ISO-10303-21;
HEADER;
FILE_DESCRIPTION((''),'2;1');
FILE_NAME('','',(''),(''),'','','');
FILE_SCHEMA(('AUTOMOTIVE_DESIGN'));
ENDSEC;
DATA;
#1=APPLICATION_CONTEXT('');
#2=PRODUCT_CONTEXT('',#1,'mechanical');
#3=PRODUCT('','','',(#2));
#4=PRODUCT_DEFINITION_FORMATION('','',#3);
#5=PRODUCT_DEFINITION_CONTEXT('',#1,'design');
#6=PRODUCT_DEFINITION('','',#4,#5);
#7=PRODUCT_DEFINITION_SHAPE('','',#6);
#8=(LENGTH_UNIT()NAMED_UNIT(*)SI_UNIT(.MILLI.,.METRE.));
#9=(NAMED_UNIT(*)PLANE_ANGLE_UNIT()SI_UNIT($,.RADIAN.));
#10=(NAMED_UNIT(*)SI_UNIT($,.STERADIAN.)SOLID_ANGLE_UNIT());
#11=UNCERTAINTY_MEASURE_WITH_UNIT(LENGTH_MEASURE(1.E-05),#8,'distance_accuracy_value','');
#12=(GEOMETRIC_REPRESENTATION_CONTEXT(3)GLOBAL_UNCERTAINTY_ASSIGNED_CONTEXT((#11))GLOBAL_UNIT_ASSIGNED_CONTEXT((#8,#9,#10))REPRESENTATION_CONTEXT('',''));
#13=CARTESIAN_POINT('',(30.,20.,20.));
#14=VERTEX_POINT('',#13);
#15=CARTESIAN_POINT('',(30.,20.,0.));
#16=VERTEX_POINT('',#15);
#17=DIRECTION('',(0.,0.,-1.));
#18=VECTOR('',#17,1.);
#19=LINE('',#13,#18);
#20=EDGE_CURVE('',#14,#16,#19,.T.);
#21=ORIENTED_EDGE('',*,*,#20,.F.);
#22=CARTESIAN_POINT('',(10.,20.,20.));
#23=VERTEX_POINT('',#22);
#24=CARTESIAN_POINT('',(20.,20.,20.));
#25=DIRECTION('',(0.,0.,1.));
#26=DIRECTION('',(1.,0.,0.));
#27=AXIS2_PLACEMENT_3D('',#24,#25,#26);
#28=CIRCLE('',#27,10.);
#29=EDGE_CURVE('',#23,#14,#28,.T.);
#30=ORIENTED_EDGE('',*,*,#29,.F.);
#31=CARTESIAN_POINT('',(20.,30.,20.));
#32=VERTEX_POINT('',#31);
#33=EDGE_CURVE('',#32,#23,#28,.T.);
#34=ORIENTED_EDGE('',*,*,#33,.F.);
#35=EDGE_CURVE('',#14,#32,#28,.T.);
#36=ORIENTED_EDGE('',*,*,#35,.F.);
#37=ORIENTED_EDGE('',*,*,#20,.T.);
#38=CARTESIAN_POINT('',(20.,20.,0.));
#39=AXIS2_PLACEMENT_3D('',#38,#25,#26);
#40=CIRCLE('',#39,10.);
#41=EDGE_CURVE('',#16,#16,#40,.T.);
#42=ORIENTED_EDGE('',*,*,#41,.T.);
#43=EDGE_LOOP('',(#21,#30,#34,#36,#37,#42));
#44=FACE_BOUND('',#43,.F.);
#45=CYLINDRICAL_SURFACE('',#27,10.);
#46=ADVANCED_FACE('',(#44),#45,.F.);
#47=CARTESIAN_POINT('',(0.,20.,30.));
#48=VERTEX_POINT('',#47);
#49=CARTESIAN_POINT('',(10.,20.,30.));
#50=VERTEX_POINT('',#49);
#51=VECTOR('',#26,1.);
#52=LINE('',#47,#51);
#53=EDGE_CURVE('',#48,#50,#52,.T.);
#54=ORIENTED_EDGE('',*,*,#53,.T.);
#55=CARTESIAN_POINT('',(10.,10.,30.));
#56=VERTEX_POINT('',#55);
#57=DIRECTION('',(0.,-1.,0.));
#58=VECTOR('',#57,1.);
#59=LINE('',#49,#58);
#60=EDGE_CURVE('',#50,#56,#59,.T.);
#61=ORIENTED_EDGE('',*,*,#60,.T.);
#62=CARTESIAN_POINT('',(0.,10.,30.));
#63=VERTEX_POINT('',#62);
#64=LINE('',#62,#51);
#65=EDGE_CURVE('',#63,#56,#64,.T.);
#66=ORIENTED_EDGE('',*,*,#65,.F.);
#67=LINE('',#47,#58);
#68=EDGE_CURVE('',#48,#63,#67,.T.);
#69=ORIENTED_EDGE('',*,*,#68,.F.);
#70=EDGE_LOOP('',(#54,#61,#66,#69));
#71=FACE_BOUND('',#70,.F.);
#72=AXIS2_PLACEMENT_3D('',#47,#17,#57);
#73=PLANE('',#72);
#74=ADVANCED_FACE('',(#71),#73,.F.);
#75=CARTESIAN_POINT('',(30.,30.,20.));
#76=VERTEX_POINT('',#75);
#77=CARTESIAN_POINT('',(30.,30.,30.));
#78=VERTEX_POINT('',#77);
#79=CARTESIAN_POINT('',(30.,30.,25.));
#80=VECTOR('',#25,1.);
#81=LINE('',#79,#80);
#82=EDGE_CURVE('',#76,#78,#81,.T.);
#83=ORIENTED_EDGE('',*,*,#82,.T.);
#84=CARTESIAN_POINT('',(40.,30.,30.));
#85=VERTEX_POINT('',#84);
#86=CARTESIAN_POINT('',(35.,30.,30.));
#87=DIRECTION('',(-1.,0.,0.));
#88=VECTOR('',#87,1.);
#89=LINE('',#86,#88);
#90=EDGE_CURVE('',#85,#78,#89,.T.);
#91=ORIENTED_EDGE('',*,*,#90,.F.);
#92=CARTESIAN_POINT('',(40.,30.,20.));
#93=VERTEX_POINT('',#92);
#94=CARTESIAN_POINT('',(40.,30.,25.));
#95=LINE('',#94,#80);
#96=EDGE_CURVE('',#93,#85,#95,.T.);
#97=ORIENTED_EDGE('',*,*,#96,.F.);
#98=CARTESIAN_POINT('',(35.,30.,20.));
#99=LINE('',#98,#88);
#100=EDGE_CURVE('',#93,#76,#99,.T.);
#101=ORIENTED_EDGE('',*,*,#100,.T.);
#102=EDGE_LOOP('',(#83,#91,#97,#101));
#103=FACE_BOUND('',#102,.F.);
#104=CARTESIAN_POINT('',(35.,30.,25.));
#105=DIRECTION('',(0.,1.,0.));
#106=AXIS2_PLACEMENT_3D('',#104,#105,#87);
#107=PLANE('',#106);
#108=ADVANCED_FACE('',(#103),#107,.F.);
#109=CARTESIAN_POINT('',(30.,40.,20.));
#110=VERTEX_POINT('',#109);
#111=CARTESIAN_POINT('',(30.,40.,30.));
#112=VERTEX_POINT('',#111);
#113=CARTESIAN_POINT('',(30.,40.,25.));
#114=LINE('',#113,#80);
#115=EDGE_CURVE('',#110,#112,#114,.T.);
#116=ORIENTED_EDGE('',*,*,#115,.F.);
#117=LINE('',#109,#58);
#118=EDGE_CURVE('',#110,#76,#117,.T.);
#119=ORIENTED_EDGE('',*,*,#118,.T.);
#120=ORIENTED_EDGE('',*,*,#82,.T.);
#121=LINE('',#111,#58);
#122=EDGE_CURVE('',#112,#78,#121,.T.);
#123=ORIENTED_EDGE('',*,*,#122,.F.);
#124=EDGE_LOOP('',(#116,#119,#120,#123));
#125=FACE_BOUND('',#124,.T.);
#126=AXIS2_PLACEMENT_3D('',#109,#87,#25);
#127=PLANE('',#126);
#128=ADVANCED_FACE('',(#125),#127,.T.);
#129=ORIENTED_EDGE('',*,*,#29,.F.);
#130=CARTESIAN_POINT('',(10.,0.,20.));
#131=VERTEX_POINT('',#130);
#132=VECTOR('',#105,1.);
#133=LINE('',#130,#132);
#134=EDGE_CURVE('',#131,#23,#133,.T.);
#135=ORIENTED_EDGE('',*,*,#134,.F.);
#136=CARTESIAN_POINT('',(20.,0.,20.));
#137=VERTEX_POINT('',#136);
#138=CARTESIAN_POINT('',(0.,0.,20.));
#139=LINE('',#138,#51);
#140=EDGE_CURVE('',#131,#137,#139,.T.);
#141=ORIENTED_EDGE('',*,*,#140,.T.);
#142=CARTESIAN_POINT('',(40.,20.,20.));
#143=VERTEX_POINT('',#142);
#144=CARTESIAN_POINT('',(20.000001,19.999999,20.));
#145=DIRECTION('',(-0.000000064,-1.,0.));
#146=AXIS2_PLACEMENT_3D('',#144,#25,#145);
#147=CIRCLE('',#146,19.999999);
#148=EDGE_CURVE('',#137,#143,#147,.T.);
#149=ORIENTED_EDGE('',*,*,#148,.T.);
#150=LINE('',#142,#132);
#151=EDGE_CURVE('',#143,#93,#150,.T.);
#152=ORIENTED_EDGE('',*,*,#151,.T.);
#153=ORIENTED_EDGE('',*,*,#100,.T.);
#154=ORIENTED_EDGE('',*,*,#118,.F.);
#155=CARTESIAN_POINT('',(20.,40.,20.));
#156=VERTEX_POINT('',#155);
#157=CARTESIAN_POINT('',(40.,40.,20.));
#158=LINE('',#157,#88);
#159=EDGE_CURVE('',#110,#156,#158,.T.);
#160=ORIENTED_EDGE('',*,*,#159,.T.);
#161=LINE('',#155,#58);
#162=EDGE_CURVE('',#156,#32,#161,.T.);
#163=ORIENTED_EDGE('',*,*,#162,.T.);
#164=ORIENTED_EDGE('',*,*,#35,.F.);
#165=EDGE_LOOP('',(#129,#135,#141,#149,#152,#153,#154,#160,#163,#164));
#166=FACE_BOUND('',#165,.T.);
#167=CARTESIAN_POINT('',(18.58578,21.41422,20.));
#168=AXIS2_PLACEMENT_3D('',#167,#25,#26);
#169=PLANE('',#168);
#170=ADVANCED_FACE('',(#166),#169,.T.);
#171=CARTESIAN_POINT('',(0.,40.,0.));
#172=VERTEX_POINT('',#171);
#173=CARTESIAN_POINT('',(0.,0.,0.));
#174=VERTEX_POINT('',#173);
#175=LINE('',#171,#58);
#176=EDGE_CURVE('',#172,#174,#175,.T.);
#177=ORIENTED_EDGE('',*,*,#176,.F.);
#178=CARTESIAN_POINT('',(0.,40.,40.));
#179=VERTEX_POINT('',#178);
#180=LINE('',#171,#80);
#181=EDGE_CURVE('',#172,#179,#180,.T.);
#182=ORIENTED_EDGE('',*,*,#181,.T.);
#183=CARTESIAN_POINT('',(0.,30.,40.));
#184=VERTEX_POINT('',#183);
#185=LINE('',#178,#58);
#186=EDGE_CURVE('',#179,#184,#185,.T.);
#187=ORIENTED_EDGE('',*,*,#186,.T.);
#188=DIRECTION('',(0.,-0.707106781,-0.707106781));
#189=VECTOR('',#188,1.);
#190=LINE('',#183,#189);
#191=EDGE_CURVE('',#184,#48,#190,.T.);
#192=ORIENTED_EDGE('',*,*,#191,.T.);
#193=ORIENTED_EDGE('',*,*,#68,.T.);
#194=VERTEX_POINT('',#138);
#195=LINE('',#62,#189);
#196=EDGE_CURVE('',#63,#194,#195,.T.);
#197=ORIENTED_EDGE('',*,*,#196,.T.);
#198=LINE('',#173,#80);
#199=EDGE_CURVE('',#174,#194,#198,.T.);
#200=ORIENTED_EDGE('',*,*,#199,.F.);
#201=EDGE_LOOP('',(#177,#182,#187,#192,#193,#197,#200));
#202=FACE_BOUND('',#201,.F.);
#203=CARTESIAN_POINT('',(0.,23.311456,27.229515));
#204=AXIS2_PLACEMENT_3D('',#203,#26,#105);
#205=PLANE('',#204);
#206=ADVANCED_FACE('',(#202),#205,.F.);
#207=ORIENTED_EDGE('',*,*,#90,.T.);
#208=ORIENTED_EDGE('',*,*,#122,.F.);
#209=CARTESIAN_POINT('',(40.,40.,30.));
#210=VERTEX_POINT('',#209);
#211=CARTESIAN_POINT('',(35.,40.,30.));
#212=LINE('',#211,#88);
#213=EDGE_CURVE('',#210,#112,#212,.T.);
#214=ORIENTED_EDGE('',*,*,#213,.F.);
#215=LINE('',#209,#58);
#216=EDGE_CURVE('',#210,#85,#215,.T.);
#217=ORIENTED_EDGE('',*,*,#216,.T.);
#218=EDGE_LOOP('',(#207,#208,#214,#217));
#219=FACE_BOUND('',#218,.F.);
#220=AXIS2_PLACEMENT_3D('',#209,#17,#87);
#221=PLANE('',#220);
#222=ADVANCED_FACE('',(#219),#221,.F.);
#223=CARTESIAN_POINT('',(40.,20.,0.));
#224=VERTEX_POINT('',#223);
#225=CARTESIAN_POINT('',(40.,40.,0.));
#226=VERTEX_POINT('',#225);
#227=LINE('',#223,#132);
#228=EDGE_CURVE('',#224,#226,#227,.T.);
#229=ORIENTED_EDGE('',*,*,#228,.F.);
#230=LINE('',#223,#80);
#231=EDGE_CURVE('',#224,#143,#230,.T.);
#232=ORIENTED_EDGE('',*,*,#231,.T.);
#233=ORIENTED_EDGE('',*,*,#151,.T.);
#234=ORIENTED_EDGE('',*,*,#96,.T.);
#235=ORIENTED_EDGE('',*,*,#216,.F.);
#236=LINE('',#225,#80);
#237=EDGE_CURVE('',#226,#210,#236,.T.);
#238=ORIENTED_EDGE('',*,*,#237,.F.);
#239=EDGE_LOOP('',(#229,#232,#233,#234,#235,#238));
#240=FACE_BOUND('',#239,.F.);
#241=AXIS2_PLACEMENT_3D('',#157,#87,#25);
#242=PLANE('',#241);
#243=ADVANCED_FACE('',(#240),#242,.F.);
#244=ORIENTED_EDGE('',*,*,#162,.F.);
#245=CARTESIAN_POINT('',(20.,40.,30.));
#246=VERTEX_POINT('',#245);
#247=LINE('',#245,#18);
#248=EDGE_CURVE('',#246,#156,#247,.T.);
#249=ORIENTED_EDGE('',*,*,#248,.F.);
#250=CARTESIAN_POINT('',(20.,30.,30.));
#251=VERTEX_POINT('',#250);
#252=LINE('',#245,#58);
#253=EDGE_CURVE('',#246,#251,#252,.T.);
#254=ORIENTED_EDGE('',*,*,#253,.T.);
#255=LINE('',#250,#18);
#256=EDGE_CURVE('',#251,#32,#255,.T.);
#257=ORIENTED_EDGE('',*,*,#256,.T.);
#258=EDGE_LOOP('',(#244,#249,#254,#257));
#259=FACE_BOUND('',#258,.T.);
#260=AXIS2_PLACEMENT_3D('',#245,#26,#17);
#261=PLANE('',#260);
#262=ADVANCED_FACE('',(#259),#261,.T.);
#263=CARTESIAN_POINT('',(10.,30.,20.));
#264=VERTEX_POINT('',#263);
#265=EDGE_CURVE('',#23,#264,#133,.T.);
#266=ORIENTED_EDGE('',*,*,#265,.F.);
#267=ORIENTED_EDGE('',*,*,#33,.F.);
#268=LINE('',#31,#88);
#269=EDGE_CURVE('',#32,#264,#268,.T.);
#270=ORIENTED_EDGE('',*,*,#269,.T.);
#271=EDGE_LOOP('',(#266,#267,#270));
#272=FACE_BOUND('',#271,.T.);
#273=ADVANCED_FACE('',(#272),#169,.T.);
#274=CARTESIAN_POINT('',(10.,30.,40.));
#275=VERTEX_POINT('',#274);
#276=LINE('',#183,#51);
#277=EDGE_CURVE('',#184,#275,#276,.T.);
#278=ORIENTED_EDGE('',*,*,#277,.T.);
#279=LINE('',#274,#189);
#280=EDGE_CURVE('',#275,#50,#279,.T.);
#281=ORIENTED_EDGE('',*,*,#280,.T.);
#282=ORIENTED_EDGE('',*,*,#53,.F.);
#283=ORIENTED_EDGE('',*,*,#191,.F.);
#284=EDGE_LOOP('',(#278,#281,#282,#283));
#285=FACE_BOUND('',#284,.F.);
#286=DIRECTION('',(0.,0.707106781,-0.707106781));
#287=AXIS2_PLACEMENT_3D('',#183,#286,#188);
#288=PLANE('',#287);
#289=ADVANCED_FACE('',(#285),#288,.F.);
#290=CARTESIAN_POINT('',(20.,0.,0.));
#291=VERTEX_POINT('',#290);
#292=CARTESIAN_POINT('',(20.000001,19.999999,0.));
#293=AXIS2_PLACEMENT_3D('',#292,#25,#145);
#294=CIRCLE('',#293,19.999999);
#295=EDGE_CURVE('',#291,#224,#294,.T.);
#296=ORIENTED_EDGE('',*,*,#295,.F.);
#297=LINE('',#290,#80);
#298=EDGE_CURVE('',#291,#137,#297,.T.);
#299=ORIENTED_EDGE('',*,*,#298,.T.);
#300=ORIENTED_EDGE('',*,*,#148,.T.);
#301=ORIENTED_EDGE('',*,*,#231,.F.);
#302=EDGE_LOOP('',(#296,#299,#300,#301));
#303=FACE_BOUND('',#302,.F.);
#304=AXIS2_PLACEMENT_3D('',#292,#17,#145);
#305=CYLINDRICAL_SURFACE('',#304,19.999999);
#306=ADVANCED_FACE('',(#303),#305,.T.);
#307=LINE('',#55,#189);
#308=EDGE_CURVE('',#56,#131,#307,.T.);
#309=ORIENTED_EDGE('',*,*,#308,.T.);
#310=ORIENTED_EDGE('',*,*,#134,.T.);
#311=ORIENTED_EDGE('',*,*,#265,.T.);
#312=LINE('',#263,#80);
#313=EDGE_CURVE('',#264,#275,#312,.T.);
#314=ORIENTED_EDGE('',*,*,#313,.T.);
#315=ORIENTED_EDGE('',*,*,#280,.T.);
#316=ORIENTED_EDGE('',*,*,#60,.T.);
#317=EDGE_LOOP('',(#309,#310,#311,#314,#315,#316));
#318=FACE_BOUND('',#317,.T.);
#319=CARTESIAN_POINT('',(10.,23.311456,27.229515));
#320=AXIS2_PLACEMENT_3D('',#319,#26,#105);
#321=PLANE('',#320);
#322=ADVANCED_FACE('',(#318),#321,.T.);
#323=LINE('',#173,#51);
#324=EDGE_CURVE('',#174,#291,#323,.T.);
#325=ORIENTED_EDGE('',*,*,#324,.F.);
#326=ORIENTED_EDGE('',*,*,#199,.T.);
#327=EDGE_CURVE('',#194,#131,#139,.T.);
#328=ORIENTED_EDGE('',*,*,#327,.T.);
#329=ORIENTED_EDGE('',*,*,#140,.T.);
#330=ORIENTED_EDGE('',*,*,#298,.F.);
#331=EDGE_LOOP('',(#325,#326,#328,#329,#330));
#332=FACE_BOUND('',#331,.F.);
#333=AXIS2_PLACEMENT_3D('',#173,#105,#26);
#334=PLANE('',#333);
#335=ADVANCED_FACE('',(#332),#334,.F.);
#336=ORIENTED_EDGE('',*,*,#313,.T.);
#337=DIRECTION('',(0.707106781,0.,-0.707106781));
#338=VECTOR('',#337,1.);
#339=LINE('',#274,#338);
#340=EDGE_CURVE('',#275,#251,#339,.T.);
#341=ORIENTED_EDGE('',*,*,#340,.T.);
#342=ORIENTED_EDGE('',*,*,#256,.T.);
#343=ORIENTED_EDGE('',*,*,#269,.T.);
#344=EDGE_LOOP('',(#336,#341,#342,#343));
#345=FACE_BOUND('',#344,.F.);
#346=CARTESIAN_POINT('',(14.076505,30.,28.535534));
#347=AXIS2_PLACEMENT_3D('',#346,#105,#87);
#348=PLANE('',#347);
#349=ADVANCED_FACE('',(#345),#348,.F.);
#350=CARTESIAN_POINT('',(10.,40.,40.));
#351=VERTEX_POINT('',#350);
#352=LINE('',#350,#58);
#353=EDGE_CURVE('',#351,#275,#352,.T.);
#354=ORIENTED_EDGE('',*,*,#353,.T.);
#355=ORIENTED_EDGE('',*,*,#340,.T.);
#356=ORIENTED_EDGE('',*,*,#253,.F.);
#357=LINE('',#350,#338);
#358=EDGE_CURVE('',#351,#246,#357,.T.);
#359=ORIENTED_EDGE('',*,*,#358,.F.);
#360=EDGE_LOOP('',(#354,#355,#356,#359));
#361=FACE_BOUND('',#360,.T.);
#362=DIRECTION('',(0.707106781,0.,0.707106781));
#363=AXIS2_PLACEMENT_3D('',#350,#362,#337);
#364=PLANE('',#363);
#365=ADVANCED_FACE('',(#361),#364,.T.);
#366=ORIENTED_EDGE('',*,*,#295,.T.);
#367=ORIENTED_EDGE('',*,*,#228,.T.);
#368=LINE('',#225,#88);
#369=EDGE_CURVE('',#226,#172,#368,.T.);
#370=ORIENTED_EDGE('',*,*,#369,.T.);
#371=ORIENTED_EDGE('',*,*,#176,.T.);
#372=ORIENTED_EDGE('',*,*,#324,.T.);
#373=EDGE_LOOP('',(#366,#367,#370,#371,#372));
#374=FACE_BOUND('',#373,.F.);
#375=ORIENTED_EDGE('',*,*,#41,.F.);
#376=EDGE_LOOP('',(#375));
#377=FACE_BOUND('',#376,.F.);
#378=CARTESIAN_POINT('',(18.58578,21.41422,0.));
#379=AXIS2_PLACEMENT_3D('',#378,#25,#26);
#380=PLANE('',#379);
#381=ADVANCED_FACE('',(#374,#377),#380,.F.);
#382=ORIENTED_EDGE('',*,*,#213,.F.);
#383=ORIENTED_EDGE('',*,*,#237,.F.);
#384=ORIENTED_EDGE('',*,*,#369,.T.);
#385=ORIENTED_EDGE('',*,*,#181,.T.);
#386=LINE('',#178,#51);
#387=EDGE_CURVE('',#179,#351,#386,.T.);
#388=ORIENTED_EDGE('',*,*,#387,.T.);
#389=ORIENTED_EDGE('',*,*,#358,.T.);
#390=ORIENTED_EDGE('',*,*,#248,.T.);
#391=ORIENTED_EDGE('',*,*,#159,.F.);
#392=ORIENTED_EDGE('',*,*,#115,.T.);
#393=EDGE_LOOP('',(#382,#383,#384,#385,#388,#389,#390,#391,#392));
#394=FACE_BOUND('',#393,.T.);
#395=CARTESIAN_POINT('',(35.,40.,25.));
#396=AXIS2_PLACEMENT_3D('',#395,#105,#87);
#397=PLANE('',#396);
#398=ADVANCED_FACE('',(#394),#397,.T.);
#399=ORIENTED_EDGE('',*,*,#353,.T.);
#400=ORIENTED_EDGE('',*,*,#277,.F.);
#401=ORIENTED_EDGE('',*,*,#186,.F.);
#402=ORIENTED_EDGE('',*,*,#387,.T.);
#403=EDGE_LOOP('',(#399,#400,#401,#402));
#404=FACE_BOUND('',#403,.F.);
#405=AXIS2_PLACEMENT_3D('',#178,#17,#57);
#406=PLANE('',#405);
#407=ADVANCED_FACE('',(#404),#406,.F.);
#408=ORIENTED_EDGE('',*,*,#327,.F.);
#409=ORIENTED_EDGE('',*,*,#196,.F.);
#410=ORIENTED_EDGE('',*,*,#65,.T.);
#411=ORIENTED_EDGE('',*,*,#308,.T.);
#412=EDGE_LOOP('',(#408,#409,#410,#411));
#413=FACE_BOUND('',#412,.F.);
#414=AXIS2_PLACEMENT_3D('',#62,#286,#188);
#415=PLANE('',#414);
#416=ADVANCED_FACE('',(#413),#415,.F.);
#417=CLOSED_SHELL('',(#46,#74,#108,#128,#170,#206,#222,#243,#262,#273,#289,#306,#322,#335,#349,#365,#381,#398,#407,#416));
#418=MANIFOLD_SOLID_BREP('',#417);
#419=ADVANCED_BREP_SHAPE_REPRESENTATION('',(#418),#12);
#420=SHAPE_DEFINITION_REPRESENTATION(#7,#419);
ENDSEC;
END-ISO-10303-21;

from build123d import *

# Parameters (mm, degrees)
F1_DEPTH = 20
F2_R     = 10
F3_DEPTH = 20.001
F5_DEPTH = 10
F6_W     = 10
F6_H     = 10
F7_DEPTH = 10


with BuildPart() as f1:
    # F0 (on Top) → F1 (new body)
    with BuildSketch(Plane.XY):
        with BuildLine():
            Line((0, 40), (0, 0))
            Line((0, 0), (20, 0))
            ThreePointArc((20, 0), (34.142136, 5.857864), (40, 20))
            Line((40, 20), (40, 40))
            Line((40, 40), (0, 40))
        make_face()
    extrude(amount=F1_DEPTH)

    # F2 (on face) → F3 (cut, through all)
    with BuildSketch(Plane.XY.offset(20)):
        with Locations((20, 20)):
            Circle(F2_R)
    extrude(amount=-F3_DEPTH, mode=Mode.SUBTRACT)

    # F4 (on Right) → F5 (join)
    with BuildSketch(Plane.YZ):
        Polygon((0, 20), (40, 20), (40, 40), (30, 40), (20, 30), (10, 30), align=None)
    extrude(amount=F5_DEPTH)

    # F6 (on face) → F7 (join)
    with BuildSketch(Plane(origin=(0, 40, 0), x_dir=(-1, 0, 0), z_dir=(0, 1, 0))):
        with Locations((-35, 25)):
            Rectangle(F6_W, F6_H)
        Polygon((-20, 30), (-20, 20), (-10, 20), (-10, 40), align=None)
    extrude(amount=-F7_DEPTH)


solid = f1.part
